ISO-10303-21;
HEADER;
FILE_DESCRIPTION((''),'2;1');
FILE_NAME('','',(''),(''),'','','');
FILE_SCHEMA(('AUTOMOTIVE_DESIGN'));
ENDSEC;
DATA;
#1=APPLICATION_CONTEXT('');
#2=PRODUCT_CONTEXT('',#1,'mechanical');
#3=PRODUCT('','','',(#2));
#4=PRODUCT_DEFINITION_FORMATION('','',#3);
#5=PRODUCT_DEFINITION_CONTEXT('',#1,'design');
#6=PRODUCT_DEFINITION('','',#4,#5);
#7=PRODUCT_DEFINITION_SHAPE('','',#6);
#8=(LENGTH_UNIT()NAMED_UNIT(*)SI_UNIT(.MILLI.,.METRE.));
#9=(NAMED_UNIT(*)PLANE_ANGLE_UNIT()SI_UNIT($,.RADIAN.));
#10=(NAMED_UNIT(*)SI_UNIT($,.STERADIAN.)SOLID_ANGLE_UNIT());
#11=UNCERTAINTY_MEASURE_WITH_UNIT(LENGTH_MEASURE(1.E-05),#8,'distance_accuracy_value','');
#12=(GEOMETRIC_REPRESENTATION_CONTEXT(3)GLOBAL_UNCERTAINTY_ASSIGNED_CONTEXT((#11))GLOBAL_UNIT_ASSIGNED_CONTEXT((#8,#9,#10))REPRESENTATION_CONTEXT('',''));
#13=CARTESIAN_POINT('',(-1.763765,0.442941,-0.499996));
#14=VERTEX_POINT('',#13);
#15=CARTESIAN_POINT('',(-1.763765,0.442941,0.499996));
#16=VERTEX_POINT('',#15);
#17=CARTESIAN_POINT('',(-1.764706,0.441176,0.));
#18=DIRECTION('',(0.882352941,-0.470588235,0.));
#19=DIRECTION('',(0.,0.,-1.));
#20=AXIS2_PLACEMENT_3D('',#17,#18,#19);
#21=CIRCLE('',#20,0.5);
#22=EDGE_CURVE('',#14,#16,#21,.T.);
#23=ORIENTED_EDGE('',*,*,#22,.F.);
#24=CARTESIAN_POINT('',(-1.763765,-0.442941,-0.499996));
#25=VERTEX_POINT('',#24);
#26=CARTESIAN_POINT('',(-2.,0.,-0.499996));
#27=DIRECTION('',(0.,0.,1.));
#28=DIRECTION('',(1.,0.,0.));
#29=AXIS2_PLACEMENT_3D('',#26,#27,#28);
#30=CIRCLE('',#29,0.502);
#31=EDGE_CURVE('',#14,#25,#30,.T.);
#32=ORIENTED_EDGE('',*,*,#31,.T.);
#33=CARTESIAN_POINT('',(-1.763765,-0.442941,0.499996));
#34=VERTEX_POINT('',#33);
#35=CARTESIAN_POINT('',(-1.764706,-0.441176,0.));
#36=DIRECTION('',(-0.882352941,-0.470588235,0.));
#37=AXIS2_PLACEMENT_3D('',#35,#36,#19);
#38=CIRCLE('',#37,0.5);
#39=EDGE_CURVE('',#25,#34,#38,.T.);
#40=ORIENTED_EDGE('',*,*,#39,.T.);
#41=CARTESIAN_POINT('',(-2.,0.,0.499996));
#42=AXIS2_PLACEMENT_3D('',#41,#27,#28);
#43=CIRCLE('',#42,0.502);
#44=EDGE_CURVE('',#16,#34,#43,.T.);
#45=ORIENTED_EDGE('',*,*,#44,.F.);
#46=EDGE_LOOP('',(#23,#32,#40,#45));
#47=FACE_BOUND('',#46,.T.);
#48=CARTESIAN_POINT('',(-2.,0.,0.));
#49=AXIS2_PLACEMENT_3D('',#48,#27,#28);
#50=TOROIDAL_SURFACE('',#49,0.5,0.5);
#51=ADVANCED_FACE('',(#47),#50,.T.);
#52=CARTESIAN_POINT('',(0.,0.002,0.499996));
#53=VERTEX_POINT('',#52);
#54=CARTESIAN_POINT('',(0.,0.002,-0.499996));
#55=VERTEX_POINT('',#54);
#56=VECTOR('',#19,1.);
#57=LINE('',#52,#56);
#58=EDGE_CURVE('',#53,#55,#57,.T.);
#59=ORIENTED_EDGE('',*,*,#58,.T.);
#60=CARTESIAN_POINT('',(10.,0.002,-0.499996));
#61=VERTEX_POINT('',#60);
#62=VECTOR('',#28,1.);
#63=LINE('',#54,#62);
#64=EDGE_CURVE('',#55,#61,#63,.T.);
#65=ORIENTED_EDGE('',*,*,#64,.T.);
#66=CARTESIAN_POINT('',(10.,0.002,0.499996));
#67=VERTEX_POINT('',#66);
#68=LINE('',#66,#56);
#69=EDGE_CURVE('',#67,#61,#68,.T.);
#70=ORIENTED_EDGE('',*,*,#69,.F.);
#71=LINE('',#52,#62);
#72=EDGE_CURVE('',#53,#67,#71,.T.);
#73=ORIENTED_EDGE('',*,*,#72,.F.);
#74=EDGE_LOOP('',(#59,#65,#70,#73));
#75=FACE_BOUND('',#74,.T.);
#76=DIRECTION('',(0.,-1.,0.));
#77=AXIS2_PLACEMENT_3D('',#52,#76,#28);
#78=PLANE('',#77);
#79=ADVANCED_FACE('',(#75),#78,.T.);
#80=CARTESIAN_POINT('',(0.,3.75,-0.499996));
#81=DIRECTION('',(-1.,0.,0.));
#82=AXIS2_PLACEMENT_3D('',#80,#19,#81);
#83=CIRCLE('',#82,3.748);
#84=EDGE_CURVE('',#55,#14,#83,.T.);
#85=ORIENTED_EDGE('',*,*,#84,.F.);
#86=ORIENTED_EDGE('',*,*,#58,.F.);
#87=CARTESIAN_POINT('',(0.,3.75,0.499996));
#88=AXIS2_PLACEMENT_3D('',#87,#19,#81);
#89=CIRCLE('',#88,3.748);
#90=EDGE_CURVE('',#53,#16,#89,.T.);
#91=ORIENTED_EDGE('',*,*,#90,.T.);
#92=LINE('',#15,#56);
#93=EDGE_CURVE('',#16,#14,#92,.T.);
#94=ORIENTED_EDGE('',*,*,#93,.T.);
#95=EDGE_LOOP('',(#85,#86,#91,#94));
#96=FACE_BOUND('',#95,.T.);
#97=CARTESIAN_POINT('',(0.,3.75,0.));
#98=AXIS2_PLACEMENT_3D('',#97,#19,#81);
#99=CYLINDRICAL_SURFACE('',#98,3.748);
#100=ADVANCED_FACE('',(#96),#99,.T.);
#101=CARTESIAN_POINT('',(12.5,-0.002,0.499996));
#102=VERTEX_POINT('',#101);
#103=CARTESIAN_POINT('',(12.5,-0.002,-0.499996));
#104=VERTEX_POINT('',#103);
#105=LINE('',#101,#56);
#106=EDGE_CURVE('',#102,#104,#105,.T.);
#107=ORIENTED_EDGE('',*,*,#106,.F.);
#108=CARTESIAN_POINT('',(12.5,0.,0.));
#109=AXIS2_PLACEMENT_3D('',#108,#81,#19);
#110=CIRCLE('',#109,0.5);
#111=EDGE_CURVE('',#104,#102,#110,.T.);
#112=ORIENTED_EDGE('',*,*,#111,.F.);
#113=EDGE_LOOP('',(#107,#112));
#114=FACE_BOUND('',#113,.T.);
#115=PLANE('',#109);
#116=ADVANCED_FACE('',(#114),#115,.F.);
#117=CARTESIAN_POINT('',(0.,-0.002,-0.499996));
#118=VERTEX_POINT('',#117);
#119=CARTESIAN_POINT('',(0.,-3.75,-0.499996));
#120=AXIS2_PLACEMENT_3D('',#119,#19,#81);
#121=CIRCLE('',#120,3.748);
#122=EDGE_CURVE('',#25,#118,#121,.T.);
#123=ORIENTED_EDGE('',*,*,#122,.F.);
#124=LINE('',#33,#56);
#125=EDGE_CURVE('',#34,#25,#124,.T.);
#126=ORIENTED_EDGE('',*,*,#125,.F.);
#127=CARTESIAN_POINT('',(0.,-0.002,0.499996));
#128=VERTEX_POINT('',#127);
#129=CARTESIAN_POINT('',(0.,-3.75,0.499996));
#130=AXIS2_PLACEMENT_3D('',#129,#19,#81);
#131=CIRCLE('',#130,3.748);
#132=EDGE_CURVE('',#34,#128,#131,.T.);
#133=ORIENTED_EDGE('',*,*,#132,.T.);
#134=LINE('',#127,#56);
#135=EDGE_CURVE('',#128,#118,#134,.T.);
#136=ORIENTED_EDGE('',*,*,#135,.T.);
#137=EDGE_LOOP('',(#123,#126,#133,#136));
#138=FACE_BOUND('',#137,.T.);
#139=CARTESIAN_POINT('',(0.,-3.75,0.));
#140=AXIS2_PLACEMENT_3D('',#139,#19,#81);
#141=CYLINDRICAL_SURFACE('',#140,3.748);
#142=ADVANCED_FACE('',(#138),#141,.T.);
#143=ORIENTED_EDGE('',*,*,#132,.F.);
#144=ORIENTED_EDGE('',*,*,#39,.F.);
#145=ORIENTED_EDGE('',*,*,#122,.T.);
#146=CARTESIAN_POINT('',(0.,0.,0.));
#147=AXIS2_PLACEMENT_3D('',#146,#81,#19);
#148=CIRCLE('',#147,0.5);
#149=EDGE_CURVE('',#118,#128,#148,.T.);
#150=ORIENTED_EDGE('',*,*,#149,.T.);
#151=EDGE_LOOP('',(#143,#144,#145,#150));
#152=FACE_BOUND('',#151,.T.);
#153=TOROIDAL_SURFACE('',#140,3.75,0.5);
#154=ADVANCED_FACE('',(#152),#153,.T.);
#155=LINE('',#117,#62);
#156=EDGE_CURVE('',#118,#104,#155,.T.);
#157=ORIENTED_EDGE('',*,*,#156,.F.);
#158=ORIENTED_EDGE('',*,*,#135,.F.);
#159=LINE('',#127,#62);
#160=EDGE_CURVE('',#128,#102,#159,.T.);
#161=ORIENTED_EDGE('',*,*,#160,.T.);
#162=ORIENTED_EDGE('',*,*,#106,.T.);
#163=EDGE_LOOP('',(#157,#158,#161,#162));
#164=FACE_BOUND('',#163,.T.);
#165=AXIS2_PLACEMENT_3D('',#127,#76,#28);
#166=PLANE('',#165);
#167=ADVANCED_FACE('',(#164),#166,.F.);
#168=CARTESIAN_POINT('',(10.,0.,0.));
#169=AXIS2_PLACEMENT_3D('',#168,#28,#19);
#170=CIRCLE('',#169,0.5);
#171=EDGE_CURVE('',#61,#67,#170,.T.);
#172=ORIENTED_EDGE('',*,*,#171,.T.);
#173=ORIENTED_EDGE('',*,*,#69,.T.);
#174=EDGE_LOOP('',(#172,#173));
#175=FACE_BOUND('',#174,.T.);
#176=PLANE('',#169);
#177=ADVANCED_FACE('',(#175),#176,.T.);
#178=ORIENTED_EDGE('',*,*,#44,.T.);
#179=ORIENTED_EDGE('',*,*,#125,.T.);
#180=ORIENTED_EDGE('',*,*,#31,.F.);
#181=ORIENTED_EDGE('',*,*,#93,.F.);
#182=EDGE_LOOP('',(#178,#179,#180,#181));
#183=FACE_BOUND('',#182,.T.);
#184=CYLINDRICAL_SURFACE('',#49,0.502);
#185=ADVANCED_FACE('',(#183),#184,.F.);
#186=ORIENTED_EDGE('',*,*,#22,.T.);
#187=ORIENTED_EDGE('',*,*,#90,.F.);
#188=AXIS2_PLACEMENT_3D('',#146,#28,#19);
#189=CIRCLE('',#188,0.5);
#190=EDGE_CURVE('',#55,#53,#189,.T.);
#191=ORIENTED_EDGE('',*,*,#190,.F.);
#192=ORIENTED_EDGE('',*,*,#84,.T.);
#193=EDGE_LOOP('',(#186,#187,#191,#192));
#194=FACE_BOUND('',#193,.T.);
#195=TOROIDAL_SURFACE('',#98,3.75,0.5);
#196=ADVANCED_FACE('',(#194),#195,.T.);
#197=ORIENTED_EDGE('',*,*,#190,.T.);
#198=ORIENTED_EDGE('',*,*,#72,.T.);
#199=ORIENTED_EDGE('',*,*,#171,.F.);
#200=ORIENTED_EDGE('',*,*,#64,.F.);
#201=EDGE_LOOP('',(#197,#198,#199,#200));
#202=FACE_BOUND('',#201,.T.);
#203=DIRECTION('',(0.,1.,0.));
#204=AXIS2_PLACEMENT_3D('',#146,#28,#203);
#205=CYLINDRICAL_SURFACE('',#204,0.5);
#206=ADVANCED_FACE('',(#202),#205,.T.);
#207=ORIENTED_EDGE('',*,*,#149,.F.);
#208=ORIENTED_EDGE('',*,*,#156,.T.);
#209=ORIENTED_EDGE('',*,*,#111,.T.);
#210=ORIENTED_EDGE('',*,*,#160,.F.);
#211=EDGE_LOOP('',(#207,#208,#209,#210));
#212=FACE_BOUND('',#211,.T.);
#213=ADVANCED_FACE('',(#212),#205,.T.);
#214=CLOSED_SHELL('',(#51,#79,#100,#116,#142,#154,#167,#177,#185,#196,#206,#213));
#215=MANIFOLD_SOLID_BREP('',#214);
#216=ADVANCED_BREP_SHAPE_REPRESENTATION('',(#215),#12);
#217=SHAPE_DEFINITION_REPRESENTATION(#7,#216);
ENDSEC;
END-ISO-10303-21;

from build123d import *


with BuildPart() as part:
    # Body: sweep along a path in PathSke
    with BuildLine(Plane.XY) as body_path:
        Line((10, 0.5), (0, 0.5))
        ThreePointArc((0, 0.5), (-0.788240781, 0.597036875), (-1.529411765, 0.882352941))
        ThreePointArc((-1.529411765, 0.882352941), (-3, 0), (-1.529411765, -0.882352941))
        ThreePointArc((-1.529411765, -0.882352941), (-0.788240781, -0.597036875), (0, -0.5))
        Line((0, -0.5), (12.5, -0.5))
    # SectionSke → Body (sweep)
    with BuildSketch(Plane(origin=(10, 0, 0), x_dir=(0, 0, -1), z_dir=(1, 0, 0))):
        with BuildLine():
            Line((-0.499996, 0.002), (0.499996, 0.002))
            ThreePointArc((0.499996, 0.002), (0, 0.5), (-0.499996, 0.002))
        make_face()
    sweep(path=body_path.line)


solid = part.part
